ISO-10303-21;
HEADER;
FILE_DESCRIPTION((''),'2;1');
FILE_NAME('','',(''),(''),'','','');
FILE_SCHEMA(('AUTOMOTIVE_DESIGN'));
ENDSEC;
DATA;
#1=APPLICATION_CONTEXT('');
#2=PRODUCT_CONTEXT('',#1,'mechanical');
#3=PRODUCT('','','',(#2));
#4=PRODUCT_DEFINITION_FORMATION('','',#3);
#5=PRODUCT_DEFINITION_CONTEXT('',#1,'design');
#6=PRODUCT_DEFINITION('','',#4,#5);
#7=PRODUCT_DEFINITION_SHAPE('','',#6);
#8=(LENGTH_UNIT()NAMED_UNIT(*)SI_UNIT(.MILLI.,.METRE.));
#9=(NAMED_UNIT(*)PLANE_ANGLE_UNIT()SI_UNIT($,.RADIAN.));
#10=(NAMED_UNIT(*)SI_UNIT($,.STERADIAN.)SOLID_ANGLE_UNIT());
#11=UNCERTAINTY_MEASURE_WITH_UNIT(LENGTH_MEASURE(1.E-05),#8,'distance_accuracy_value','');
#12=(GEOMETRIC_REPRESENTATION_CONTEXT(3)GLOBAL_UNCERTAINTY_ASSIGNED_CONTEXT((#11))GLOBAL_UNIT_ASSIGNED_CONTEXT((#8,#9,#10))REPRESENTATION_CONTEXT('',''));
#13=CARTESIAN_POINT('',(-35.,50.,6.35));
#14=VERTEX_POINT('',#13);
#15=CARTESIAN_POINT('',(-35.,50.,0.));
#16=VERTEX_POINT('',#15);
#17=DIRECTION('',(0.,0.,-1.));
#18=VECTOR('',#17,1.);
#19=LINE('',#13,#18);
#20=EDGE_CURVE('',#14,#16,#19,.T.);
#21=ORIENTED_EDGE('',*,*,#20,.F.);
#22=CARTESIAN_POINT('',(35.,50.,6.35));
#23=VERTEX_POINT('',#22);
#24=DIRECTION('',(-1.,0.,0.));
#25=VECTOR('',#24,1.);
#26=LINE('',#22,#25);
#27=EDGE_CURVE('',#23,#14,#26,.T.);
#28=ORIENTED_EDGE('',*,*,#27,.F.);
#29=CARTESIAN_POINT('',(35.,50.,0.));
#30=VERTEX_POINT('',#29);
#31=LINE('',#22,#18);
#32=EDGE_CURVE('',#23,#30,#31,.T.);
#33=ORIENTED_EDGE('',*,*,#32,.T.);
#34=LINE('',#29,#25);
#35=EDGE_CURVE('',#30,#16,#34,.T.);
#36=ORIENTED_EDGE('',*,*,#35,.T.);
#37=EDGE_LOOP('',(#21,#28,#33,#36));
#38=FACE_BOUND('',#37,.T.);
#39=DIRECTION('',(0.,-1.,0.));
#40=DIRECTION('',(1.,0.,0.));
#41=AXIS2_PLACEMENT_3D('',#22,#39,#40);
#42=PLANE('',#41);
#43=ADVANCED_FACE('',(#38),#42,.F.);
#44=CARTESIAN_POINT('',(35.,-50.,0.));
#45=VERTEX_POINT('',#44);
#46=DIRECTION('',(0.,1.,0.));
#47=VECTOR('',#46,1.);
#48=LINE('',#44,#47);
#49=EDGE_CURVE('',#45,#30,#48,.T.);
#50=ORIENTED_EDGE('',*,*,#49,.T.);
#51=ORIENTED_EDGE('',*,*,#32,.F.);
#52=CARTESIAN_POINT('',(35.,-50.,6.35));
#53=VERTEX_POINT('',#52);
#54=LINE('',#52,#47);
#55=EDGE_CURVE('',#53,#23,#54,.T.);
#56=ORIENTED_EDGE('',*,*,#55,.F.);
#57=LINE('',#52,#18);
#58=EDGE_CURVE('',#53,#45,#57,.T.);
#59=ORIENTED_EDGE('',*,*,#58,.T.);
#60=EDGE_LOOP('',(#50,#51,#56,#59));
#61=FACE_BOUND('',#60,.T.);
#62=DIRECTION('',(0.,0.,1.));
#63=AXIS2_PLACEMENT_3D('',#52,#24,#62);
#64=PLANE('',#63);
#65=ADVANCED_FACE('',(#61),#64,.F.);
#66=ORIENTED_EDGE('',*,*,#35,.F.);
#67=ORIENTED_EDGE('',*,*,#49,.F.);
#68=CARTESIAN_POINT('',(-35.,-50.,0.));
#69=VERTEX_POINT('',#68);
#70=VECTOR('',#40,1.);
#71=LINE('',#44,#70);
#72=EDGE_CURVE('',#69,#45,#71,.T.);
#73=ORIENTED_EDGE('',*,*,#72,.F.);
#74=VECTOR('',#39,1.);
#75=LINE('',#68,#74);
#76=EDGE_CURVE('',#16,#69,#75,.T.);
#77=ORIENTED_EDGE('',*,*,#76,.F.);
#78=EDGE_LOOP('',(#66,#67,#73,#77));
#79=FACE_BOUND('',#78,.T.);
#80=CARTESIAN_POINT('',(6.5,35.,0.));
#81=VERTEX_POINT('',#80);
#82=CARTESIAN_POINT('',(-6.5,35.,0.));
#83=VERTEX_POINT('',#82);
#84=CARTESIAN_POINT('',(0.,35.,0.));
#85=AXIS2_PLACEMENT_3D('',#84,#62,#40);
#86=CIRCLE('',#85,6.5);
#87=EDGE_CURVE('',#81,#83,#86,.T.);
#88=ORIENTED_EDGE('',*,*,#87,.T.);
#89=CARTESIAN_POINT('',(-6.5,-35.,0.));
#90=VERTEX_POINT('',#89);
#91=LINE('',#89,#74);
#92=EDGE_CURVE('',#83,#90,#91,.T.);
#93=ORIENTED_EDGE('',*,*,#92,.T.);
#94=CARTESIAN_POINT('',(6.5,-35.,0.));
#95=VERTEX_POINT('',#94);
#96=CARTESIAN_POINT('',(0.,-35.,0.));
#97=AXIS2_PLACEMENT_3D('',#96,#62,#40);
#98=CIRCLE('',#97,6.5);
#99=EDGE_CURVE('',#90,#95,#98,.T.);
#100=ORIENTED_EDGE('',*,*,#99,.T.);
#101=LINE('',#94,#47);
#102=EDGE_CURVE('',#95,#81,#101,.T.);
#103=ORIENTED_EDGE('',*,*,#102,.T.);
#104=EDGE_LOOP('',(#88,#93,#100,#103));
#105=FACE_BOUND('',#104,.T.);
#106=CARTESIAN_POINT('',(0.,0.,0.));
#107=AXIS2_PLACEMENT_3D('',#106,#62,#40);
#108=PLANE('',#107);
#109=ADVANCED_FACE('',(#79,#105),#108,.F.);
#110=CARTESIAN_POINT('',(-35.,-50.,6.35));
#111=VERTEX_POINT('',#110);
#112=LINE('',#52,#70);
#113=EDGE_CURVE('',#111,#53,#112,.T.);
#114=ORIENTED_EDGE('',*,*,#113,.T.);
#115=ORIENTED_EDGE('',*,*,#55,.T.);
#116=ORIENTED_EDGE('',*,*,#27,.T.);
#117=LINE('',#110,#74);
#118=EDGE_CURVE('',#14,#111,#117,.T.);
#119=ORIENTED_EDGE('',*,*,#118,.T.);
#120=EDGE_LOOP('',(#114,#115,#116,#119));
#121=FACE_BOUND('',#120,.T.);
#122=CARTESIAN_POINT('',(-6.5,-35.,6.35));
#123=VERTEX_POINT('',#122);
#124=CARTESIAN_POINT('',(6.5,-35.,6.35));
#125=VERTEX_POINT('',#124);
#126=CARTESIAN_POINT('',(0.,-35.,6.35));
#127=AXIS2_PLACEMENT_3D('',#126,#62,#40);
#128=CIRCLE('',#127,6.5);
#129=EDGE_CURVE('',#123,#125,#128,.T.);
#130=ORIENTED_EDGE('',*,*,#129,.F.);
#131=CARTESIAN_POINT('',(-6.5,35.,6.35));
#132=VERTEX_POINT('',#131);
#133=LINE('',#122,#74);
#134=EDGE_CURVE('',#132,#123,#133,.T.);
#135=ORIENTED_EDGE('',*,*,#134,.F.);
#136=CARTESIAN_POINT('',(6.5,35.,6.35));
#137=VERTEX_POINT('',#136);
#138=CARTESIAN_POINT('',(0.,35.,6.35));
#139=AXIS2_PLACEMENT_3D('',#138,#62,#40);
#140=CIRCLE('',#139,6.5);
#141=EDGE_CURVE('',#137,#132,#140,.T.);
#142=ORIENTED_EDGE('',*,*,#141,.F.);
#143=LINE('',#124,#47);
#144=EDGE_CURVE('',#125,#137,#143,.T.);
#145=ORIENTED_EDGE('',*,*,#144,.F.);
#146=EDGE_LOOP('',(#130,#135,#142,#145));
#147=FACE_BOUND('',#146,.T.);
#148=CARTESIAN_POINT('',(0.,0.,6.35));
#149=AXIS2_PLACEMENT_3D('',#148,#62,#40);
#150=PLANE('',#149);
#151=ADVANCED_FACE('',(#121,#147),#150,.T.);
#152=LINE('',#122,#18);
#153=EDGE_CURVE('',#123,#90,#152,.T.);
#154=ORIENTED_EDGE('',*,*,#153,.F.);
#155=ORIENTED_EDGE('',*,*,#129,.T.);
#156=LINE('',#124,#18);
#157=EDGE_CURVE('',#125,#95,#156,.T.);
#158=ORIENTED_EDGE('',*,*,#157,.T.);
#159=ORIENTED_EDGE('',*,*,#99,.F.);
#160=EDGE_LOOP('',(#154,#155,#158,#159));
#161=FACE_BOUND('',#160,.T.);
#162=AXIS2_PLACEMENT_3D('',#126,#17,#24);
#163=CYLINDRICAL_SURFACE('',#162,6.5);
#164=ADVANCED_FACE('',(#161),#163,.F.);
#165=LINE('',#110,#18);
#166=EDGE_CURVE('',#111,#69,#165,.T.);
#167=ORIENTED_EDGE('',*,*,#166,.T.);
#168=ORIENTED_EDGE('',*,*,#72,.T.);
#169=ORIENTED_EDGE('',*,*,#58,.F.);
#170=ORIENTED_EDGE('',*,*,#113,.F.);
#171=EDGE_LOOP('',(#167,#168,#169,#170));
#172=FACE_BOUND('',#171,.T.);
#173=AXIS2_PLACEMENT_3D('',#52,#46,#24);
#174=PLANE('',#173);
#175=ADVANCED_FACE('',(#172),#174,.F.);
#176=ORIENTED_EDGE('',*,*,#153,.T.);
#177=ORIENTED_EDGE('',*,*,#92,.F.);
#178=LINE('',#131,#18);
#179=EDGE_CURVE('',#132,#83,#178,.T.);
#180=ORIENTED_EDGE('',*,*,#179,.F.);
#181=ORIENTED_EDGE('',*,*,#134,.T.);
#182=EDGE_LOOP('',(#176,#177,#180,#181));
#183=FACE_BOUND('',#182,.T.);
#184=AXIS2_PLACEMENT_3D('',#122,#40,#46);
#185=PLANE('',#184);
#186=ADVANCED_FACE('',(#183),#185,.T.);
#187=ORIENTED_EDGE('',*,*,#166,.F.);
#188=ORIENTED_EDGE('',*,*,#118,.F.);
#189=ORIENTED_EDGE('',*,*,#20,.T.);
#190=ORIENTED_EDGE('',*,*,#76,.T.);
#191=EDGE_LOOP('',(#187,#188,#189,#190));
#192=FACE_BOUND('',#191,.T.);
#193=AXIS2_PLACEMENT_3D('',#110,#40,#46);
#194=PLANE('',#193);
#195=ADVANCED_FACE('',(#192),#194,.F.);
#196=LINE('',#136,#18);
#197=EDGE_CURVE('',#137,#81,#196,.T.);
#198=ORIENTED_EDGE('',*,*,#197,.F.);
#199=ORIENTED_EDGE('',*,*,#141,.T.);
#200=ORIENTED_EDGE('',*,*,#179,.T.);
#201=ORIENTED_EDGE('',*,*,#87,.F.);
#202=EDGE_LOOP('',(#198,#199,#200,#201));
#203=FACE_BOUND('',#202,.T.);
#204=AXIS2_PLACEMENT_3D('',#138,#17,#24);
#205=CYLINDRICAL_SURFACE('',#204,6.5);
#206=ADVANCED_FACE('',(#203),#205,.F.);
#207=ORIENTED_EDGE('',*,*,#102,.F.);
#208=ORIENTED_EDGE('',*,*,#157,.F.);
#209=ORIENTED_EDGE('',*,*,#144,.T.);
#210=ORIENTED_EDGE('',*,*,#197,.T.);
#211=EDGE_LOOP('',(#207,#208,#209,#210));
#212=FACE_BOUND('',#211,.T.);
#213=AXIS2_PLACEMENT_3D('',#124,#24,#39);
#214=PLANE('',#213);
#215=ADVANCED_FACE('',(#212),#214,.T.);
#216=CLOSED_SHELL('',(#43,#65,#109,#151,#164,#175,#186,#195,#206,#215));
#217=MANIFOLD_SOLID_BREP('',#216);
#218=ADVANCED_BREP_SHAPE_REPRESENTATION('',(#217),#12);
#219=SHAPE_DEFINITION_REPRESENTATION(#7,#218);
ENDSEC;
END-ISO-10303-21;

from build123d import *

# Parameters (mm, degrees)
CROQUIS1_W              = 70
CROQUIS1_H              = 100
SALIENTE_EXTRUIR1_DEPTH = 6.35


with BuildPart() as part:
    # Croquis1 → Saliente-Extruir1 (new body)
    with BuildSketch(Plane.XY):
        Rectangle(CROQUIS1_W, CROQUIS1_H)
        with BuildLine():
            Line((-6.5, -35), (-6.5, 35))
            ThreePointArc((-6.5, 35), (0, 41.5), (6.5, 35))
            Line((6.5, 35), (6.5, -35))
            ThreePointArc((6.5, -35), (0, -41.5), (-6.5, -35))
        make_face(mode=Mode.SUBTRACT)
    extrude(amount=SALIENTE_EXTRUIR1_DEPTH)


solid = part.part
